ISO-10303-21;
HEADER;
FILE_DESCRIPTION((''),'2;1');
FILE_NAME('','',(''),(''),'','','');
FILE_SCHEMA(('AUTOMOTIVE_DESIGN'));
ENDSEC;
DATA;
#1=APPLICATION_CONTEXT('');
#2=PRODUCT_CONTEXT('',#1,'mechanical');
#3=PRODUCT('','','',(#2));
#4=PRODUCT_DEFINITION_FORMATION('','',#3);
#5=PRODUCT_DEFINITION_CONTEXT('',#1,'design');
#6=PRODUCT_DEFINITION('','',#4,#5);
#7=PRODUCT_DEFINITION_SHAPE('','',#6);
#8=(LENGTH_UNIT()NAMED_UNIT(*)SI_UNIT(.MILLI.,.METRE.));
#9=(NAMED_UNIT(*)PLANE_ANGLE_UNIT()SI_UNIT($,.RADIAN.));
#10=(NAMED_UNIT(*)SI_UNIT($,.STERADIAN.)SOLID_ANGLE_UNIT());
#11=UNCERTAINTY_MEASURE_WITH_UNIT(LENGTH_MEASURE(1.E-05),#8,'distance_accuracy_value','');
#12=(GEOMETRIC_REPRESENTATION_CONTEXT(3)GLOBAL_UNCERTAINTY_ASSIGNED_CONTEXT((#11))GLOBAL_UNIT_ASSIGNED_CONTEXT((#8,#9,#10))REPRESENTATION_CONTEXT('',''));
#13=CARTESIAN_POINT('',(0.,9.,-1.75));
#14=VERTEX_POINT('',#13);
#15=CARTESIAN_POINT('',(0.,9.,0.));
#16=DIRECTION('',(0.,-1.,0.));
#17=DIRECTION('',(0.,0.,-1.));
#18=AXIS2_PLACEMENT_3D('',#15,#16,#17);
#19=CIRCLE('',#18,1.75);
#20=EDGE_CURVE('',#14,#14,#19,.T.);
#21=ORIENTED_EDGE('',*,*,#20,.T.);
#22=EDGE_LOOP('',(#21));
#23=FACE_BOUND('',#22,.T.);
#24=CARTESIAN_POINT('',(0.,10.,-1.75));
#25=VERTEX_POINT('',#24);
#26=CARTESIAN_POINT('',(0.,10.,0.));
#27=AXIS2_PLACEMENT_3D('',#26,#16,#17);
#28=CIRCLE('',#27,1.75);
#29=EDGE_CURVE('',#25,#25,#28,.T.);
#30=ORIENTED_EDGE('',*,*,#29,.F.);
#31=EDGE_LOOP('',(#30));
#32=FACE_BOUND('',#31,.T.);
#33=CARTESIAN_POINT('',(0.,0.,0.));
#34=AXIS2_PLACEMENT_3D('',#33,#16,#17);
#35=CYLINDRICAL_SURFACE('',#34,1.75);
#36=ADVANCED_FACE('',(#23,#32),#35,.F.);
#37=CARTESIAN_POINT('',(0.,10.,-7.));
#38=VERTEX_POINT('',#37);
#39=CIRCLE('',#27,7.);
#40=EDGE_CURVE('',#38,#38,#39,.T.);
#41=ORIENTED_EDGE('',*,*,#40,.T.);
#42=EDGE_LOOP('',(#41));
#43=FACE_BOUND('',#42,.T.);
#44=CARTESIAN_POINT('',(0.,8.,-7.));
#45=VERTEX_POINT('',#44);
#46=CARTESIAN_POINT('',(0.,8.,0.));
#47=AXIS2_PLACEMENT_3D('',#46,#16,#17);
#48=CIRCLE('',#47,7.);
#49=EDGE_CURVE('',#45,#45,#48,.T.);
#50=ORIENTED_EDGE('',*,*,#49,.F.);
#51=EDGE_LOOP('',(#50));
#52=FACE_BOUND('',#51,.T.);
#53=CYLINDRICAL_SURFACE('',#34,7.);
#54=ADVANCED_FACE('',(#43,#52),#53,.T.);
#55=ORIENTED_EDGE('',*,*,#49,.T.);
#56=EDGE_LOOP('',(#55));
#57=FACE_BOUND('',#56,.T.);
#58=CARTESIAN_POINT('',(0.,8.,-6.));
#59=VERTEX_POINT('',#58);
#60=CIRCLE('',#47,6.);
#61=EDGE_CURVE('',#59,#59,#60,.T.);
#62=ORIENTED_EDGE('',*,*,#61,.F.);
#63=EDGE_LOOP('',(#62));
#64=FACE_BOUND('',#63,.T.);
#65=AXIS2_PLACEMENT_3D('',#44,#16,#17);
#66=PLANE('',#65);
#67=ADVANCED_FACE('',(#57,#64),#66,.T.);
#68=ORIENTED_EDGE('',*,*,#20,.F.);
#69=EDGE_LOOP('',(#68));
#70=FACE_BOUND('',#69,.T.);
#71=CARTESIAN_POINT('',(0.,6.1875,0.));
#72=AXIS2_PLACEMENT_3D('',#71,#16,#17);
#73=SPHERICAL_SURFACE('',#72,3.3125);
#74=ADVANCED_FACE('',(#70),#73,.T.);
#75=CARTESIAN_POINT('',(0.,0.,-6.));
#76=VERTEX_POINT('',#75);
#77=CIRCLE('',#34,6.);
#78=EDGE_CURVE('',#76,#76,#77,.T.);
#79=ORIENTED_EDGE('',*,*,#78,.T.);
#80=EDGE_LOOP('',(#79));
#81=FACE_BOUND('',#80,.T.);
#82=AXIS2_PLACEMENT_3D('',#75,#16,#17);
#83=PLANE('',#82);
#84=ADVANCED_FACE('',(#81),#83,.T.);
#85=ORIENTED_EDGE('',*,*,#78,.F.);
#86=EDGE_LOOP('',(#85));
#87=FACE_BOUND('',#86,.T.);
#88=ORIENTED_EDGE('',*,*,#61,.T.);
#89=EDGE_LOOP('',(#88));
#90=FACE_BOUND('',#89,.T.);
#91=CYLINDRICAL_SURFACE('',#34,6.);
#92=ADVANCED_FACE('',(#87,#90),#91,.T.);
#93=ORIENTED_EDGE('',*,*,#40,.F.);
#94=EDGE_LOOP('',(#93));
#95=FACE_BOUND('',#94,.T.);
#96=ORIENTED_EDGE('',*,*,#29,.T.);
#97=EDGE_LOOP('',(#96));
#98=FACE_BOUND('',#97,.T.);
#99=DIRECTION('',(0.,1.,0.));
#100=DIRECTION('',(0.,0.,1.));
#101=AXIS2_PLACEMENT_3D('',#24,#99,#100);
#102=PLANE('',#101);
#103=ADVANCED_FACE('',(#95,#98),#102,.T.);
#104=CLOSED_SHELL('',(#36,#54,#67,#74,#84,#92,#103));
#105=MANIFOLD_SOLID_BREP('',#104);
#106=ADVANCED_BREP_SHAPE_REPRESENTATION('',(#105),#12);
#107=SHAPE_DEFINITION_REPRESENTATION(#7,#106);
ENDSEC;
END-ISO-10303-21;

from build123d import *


with BuildPart() as part:
    # Sketch1 → Revolve1 (revolve)
    with BuildSketch(Plane(origin=(0, 0, 0), x_dir=(0, 0, -1), z_dir=(1, 0, 0))):
        with BuildLine():
            Line((1.75, 9), (1.75, 10))
            Line((1.75, 10), (7, 10))
            Line((7, 10), (7, 8))
            Line((7, 8), (6, 8))
            Line((6, 8), (6, 0))
            Line((6, 0), (0, 0))
            Line((0, 0), (0, 9.5))
            ThreePointArc((0, 9.5), (0.910013736, 9.372548077), (1.75, 9))
        make_face()
    revolve(axis=Axis((0, 0, 0), (0, 1, 0)))


solid = part.part
